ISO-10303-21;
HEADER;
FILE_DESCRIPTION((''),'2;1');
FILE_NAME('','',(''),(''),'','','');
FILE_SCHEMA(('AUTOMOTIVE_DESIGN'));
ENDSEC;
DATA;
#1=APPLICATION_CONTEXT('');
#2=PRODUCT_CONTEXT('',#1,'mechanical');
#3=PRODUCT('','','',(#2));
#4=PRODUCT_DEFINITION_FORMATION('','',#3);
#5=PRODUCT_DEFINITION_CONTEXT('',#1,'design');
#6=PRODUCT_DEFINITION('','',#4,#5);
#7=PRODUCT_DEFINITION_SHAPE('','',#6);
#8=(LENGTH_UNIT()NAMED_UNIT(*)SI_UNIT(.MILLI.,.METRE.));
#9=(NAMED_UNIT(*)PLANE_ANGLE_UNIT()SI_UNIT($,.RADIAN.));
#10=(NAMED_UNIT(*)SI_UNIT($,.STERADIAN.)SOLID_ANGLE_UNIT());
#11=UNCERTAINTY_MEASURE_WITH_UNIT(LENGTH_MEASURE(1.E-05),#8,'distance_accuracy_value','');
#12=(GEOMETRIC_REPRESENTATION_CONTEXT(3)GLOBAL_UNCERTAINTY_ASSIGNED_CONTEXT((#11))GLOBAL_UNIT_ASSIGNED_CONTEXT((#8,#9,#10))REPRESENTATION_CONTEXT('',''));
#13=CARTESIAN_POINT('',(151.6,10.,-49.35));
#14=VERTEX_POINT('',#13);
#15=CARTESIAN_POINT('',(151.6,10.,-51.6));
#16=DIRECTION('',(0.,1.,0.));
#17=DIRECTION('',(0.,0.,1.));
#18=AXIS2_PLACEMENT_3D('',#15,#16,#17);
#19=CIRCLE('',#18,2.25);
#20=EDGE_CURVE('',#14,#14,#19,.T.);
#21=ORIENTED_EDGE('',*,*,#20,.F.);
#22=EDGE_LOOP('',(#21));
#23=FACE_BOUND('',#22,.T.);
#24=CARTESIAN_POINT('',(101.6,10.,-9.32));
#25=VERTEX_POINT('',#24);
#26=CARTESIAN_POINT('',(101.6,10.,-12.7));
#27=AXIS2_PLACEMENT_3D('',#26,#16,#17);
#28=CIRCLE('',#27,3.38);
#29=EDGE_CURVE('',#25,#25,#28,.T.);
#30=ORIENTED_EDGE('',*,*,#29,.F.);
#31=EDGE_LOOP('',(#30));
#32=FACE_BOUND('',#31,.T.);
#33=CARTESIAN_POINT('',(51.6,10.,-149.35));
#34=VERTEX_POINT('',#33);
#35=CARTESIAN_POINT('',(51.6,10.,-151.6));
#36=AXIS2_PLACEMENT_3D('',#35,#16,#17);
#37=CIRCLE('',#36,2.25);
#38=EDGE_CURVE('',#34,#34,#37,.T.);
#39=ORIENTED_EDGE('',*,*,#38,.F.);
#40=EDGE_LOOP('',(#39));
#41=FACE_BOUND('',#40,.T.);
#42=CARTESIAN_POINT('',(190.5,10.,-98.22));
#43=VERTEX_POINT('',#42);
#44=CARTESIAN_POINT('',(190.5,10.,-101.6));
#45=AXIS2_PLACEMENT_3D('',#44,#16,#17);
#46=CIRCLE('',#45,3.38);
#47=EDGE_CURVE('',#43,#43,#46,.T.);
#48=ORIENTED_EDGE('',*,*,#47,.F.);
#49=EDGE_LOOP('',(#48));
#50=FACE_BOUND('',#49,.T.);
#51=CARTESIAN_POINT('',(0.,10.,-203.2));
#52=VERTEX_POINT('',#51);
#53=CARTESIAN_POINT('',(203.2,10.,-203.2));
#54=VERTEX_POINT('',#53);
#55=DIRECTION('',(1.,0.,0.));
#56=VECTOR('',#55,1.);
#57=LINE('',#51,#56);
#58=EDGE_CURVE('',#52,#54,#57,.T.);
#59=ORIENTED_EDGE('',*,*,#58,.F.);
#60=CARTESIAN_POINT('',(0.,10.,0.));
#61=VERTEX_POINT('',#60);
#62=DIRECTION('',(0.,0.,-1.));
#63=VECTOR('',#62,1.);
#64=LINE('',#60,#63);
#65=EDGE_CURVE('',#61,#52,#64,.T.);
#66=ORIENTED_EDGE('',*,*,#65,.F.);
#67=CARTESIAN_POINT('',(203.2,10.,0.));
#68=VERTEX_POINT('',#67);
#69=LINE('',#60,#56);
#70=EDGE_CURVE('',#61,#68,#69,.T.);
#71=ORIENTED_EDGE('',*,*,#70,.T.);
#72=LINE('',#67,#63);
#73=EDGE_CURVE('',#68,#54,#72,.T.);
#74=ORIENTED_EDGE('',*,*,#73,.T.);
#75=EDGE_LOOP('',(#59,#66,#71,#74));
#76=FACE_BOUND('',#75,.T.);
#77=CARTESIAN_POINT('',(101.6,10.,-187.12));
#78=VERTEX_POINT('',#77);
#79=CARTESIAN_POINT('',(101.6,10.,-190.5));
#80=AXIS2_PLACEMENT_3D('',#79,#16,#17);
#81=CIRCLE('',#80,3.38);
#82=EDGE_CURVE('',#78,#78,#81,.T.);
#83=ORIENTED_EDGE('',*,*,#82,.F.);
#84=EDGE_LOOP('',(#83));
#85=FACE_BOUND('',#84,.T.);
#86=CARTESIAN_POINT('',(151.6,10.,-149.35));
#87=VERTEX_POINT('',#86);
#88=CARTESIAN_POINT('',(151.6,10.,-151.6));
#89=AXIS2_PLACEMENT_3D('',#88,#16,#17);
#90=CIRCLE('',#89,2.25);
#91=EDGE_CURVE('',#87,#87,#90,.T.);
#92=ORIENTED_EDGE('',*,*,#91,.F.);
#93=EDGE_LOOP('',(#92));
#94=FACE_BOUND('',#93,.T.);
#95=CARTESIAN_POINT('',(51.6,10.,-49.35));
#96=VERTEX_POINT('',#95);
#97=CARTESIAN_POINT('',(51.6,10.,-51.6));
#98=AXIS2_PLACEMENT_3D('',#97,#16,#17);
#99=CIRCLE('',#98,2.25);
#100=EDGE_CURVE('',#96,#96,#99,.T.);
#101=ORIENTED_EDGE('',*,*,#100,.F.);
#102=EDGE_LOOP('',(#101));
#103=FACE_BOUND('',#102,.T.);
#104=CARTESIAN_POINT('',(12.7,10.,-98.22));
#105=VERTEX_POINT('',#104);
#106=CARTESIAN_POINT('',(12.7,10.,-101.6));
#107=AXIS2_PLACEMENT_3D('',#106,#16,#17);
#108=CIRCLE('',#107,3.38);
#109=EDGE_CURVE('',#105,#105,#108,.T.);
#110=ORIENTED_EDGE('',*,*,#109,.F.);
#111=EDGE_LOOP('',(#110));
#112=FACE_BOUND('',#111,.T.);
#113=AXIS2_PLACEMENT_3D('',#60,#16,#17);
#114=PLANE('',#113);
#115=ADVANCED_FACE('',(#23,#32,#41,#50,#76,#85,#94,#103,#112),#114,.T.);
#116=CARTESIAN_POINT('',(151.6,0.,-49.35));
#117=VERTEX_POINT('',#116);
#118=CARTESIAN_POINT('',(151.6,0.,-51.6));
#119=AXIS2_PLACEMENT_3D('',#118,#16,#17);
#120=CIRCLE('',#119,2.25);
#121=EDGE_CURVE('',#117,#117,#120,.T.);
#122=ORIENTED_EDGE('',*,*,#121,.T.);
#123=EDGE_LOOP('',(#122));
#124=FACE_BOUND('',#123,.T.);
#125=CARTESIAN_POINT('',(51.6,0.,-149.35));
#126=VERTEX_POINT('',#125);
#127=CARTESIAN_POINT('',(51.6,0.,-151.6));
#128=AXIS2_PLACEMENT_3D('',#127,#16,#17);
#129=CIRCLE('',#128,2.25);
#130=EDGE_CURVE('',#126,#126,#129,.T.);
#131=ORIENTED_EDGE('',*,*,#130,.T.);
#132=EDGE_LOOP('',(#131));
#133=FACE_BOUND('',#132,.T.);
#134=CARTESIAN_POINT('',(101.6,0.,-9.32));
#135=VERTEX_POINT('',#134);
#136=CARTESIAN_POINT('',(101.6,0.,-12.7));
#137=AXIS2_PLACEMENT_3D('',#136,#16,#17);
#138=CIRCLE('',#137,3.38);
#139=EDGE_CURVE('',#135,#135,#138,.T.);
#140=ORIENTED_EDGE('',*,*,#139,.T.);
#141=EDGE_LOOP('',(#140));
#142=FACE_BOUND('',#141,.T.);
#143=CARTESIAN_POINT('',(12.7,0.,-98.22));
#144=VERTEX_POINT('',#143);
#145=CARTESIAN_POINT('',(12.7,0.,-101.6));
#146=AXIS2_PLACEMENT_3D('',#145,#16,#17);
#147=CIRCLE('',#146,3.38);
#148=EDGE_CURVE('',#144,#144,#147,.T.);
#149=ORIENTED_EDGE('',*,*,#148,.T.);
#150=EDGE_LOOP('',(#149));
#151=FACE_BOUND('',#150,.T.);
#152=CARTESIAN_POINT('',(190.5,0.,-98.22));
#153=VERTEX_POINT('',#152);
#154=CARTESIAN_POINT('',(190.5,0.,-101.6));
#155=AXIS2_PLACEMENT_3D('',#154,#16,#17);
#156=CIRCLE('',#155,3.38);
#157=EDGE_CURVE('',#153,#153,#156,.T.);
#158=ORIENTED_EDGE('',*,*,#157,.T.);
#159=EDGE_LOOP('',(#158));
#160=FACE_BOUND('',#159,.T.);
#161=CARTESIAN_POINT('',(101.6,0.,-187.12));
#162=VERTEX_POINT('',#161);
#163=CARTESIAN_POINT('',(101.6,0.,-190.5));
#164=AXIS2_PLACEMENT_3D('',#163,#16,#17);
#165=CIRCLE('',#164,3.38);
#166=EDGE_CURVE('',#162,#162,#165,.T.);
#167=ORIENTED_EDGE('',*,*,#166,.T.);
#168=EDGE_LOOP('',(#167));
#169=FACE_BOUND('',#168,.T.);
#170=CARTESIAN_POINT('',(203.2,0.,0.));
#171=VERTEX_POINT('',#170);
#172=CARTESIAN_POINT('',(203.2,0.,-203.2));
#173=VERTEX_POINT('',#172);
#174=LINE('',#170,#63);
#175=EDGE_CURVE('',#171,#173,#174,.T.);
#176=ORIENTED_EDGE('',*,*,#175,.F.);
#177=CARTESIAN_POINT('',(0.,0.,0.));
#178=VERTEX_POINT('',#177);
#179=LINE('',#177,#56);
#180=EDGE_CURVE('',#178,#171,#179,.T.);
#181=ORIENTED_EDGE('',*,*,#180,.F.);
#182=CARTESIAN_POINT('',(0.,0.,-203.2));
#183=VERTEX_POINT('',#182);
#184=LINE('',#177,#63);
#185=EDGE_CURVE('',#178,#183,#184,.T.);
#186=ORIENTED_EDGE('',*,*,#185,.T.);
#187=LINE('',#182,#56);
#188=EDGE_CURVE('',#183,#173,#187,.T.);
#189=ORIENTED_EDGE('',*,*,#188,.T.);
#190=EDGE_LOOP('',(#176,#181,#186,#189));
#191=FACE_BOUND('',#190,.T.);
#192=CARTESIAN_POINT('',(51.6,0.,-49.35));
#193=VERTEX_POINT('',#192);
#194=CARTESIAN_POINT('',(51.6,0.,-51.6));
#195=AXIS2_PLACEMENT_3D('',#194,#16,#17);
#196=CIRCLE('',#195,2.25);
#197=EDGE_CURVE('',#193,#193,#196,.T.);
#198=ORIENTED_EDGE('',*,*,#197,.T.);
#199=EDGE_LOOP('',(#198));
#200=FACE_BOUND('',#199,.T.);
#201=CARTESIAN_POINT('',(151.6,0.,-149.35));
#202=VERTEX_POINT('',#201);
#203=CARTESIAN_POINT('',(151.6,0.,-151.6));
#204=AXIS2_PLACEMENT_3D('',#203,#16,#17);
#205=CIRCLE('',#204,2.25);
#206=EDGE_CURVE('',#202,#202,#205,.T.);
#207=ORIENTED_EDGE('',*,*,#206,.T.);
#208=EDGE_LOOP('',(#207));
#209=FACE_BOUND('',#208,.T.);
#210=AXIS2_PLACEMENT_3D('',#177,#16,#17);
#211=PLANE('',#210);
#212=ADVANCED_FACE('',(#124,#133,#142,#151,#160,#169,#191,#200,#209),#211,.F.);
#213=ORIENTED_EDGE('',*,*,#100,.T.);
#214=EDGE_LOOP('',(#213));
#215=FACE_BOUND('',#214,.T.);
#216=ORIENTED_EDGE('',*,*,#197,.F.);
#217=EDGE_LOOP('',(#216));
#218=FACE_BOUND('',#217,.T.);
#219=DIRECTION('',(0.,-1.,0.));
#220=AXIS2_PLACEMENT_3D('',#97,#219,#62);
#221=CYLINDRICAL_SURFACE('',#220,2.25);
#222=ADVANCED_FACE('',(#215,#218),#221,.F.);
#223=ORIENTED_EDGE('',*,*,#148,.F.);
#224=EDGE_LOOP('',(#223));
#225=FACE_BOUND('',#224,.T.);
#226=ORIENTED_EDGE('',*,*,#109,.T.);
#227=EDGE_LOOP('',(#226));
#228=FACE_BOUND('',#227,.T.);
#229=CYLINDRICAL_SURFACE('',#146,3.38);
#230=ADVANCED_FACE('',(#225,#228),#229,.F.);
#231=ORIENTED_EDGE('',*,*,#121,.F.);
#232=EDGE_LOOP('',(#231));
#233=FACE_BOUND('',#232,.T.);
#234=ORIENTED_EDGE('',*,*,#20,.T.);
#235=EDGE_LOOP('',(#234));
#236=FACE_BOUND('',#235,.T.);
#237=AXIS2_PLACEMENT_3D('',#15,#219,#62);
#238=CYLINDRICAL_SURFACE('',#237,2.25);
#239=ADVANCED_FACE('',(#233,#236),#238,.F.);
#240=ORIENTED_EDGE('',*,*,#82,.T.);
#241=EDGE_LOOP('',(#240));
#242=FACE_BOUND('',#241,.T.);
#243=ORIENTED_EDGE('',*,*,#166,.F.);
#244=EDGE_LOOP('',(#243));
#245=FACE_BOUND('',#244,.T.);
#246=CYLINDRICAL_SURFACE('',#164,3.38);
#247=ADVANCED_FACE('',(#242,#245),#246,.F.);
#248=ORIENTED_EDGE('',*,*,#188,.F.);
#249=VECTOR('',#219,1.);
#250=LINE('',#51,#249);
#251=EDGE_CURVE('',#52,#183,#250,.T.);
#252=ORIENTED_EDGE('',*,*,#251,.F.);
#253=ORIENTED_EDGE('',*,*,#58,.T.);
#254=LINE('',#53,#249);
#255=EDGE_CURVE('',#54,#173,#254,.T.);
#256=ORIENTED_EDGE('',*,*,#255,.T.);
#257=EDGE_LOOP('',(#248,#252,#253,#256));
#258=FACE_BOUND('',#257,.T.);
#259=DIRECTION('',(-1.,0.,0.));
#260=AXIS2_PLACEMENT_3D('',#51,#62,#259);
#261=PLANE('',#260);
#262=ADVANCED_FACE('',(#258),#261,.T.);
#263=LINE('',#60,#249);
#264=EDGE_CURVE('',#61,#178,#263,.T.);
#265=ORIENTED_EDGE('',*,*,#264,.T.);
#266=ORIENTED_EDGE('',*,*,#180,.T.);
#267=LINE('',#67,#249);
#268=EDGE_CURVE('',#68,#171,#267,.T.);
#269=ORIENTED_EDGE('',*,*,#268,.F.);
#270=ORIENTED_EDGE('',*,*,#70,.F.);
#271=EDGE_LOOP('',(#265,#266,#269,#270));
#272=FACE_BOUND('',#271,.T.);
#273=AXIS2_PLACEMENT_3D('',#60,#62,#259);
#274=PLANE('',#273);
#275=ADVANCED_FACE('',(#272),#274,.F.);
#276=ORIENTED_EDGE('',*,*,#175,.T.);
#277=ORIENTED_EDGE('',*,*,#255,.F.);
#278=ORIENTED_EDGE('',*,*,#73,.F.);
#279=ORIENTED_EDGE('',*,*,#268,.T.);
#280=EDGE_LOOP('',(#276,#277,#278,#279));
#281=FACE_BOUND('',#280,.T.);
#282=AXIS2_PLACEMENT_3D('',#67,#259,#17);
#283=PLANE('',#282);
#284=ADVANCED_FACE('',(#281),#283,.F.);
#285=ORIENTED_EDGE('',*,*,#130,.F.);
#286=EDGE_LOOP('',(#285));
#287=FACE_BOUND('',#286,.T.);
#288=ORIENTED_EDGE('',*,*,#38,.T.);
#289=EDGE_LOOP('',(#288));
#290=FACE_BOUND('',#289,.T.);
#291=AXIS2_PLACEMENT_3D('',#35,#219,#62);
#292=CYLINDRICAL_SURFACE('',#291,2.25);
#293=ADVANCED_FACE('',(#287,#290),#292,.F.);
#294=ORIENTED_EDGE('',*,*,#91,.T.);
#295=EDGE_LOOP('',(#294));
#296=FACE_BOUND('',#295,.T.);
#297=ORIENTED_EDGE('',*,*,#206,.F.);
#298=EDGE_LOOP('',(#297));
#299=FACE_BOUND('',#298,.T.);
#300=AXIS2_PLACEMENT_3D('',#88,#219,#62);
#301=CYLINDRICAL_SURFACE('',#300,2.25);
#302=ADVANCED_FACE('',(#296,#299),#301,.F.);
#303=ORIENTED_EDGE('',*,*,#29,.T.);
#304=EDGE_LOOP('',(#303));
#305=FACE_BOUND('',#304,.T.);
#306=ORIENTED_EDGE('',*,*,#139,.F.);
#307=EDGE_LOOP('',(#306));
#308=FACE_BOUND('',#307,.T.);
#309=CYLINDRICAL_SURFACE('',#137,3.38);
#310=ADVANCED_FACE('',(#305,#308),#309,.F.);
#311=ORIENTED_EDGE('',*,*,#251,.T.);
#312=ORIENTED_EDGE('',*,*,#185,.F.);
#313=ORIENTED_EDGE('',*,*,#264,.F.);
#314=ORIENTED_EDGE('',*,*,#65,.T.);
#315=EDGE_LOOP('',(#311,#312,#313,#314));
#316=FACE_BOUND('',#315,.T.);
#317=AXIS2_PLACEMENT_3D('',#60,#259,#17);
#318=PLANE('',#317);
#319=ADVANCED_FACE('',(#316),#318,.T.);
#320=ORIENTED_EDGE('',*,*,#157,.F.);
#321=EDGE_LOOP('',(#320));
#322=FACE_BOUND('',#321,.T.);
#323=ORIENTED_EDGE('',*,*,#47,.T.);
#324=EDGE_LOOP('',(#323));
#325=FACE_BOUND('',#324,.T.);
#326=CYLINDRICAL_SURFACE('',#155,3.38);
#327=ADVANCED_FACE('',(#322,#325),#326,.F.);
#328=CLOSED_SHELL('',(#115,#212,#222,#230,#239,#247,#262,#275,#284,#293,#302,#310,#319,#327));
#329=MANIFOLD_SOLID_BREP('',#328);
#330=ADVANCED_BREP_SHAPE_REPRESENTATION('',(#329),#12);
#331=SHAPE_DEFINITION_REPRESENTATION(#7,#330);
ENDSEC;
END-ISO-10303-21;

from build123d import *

# Parameters (mm, degrees)
SKETCH1_W           = 203.2
SKETCH1_H           = 203.2
SKETCH1_W_2         = 115
SKETCH1_H_2         = 115
SKETCH1_R           = 2.25
BOSS_EXTRUDE1_DEPTH = 10
SKETCH4_R           = 3.38
CUT_EXTRUDE1_DEPTH  = 11


with BuildPart() as part:
    # Sketch1 → Boss-Extrude1 (new body)
    with BuildSketch(Plane(origin=(0, 0, 0), x_dir=(1, 0, 0), z_dir=(0, 1, 0))):
        with Locations((101.6, 101.6)):
            Rectangle(SKETCH1_W, SKETCH1_H)
        with Locations((101.6, 101.6)):
            Rectangle(SKETCH1_W_2, SKETCH1_H_2, mode=Mode.SUBTRACT)
        with Locations((101.6, 101.6)):
            Rectangle(SKETCH1_W_2, SKETCH1_H_2)
        with Locations((51.6, 151.6)):
            Circle(SKETCH1_R, mode=Mode.SUBTRACT)
        with Locations((151.6, 151.6)):
            Circle(SKETCH1_R, mode=Mode.SUBTRACT)
        with Locations((151.6, 51.6)):
            Circle(SKETCH1_R, mode=Mode.SUBTRACT)
        with Locations((51.6, 51.6)):
            Circle(SKETCH1_R, mode=Mode.SUBTRACT)
    extrude(amount=BOSS_EXTRUDE1_DEPTH)

    # Sketch4 → Cut-Extrude1 (cut, through all)
    with BuildSketch(Plane(origin=(0, 10, 0), x_dir=(1, 0, 0), z_dir=(0, 1, 0))):
        with Locations((12.7, 101.6)):
            Circle(SKETCH4_R)
        with Locations((190.5, 101.6)):
            Circle(SKETCH4_R)
        with Locations((101.6, 190.5)):
            Circle(SKETCH4_R)
        with Locations((101.6, 12.7)):
            Circle(SKETCH4_R)
    extrude(amount=-CUT_EXTRUDE1_DEPTH, mode=Mode.SUBTRACT)


solid = part.part
